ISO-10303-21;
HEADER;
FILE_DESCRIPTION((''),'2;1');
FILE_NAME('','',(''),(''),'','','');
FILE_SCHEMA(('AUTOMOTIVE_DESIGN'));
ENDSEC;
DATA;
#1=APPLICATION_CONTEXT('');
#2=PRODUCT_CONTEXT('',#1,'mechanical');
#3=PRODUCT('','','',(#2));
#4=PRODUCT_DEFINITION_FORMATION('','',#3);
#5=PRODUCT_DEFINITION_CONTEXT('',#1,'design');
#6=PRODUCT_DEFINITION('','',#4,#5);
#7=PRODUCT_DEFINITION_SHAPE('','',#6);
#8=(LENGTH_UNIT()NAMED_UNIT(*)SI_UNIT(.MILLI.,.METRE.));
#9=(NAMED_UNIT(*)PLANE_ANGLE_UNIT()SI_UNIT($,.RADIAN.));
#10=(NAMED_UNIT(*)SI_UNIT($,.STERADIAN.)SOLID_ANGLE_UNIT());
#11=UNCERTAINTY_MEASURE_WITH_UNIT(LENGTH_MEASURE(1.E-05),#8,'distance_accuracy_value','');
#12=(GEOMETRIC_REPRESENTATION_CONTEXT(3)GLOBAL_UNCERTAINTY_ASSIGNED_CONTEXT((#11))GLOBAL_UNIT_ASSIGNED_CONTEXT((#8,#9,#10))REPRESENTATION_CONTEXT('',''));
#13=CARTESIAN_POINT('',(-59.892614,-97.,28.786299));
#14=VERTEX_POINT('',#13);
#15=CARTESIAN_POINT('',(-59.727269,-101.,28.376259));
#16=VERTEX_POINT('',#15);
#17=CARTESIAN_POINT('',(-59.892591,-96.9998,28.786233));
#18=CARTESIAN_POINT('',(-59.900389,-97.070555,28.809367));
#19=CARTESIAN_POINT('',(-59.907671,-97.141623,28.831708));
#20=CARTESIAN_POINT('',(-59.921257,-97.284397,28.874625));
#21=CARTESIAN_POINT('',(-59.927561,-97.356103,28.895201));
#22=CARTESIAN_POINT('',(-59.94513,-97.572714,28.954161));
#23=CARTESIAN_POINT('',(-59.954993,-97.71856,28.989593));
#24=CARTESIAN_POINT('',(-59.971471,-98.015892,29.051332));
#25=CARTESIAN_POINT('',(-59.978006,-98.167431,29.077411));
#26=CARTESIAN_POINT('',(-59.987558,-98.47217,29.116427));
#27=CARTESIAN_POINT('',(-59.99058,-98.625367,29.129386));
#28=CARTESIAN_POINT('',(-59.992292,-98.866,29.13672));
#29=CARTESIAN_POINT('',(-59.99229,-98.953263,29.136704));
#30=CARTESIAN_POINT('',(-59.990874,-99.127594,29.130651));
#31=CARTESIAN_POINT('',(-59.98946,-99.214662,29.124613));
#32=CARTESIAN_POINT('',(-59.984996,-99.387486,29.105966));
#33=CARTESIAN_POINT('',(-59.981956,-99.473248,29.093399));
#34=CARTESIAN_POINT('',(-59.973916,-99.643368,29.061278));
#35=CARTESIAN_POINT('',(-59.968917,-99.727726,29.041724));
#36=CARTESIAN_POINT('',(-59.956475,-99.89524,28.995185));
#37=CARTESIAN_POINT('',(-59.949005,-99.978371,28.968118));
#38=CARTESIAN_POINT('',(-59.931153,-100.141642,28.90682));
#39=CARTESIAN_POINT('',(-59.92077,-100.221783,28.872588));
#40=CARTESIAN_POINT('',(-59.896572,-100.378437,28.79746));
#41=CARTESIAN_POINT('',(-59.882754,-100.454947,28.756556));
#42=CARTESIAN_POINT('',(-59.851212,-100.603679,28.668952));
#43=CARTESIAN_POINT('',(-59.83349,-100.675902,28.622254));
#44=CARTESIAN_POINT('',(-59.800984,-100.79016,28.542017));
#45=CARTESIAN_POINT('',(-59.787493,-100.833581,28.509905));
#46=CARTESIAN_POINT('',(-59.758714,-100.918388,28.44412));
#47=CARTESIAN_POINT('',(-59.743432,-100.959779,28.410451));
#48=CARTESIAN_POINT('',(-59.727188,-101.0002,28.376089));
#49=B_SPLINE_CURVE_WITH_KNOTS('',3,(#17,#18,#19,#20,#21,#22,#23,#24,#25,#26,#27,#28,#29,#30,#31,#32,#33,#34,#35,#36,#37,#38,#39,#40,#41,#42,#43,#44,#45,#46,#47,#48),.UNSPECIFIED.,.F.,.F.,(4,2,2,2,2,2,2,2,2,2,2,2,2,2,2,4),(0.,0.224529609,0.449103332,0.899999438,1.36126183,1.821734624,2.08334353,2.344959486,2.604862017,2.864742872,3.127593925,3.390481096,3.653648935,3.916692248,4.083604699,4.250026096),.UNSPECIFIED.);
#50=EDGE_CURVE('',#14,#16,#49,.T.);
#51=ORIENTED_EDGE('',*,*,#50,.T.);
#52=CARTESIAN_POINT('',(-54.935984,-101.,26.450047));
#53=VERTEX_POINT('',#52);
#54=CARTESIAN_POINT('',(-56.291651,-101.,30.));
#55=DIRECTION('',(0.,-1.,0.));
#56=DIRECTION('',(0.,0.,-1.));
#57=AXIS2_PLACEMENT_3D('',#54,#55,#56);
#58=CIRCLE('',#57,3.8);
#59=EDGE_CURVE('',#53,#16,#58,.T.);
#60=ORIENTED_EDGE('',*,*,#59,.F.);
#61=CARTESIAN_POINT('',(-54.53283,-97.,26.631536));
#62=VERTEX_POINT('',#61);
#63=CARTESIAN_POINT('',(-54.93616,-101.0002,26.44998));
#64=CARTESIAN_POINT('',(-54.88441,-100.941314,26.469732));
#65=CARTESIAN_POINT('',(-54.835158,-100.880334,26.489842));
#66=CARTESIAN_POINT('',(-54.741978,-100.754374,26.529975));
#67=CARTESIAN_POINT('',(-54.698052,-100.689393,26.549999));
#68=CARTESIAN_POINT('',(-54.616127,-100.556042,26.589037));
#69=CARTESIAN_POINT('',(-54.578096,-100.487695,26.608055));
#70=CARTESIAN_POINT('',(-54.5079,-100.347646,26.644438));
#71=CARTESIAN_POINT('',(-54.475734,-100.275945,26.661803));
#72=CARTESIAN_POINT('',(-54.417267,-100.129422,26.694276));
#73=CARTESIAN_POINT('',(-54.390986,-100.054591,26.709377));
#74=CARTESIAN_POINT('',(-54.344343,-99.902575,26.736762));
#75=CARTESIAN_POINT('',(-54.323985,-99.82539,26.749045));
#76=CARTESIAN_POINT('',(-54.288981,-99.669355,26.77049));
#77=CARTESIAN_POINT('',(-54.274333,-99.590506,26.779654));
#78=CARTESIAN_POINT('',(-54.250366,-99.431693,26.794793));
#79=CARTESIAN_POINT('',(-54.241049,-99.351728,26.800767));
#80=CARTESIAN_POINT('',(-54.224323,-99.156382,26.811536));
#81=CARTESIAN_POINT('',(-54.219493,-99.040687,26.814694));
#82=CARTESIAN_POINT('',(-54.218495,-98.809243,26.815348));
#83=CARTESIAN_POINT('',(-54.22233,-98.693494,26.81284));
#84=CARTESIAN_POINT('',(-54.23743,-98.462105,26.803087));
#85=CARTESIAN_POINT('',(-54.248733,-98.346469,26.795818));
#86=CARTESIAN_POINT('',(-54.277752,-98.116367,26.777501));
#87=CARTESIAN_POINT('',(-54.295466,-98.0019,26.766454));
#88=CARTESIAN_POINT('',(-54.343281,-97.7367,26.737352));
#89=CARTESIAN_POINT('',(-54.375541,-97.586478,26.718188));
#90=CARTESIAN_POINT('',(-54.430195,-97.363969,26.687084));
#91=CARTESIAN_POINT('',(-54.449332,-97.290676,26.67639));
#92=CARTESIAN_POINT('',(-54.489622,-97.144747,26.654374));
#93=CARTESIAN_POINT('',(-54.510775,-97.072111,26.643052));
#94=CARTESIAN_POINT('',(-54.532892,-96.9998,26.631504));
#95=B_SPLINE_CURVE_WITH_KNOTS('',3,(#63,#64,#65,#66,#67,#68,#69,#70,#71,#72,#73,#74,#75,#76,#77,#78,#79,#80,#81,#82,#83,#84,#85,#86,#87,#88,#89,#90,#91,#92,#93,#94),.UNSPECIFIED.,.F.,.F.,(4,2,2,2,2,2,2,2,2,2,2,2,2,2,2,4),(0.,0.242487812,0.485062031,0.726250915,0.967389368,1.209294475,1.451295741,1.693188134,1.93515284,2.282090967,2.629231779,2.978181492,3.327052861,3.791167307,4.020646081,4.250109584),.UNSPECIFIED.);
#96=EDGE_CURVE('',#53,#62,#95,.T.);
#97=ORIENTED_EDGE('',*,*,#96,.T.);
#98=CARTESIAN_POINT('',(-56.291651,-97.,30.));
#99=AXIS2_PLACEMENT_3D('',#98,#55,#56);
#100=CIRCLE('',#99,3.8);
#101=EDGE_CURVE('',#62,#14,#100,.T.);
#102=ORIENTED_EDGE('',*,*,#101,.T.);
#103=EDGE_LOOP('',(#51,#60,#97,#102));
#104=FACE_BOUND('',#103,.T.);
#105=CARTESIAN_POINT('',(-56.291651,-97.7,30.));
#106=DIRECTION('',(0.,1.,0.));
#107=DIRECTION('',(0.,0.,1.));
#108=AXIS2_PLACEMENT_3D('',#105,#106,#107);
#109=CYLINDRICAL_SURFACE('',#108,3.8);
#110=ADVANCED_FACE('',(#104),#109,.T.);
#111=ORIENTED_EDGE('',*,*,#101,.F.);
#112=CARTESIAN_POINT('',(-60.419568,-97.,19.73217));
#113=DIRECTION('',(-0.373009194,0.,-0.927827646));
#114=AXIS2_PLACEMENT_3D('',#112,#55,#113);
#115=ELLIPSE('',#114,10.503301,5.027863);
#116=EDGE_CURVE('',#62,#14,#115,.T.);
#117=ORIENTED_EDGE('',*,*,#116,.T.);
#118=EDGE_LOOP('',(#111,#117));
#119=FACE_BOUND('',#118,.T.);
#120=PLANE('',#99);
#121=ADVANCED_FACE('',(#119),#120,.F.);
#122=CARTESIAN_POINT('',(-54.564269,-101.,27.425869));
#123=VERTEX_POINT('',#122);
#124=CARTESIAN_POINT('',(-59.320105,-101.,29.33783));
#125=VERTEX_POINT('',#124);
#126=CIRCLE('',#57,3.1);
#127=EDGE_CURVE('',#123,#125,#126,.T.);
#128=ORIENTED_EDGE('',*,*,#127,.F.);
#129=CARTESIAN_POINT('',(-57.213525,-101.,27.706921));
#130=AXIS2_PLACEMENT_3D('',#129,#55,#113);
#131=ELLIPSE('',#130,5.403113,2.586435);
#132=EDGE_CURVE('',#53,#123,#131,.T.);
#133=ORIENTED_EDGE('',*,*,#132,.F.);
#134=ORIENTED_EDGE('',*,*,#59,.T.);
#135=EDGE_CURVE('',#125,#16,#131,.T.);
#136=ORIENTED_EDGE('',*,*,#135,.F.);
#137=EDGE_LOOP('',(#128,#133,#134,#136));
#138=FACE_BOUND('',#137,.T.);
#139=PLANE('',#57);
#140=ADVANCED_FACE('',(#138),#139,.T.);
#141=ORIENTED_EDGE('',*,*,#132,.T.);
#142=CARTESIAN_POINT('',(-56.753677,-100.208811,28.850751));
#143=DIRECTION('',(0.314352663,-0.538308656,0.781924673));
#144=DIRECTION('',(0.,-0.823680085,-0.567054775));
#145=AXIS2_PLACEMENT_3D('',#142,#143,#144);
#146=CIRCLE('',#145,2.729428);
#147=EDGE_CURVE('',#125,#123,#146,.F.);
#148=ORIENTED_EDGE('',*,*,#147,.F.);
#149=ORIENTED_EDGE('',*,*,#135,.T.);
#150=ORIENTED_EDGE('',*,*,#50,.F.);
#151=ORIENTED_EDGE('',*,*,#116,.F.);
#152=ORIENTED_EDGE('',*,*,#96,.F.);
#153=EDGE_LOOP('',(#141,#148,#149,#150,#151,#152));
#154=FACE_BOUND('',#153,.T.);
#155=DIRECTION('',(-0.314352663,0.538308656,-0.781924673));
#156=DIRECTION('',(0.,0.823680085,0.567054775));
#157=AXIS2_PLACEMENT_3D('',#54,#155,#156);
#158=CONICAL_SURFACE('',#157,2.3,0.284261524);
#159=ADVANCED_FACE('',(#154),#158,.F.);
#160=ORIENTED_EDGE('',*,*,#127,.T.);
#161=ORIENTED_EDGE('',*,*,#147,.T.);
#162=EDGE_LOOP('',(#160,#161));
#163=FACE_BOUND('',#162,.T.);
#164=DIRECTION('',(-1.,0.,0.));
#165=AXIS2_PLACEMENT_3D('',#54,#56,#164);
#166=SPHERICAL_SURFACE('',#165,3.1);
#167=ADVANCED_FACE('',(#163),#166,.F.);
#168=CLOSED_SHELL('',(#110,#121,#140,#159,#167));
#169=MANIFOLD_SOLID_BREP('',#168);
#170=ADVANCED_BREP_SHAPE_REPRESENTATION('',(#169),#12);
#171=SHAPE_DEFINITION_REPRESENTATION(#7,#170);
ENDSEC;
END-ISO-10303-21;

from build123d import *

# Parameters (mm, degrees)
KEYED_BACK_DEPTH   = 0.7
CUP_BLANK_SKETCH_R = 3.8
CUP_BLANK_DEPTH    = 3.3


with BuildPart() as part:
    # Keyed Back Sketch → Keyed Back (new body)
    with BuildSketch(Plane(origin=(0, -97, 0), x_dir=(-1, 0, 0), z_dir=(0, -1, 0))):
        with BuildLine():
            Line((59.811552234, -28.568114168), (55.771750258, -26.23573341))
            ThreePointArc((55.771750258, -26.23573341), (54.391651246, -33.290896534), (59.811552234, -28.568114168))
        make_face()
    extrude(amount=KEYED_BACK_DEPTH)

    # Cup Blank Sketch → Cup Blank (add)
    with BuildSketch(Plane(origin=(0, -97.7, 0), x_dir=(-1, 0, 0), z_dir=(0, -1, 0))):
        with Locations(Location((56.291651246, -30, 0), (0, 0, 22.136353638))):
            Circle(CUP_BLANK_SKETCH_R)
    extrude(amount=CUP_BLANK_DEPTH)

    # Spherical Bearing Seat profile → Spherical Bearing Seat (revolve, cut)
    with BuildSketch(Plane(origin=(0, -101, 0), x_dir=(-1, 0, 0), z_dir=(0, -1, 0))):
        with BuildLine():
            Line((56.291651246, -33.1), (56.291651246, -26.9))
            ThreePointArc((56.291651246, -26.9), (53.191651246, -30), (56.291651246, -33.1))
        make_face()
    revolve(axis=Axis((-56.291651246, -101, 20), (0, 0, 1)), mode=Mode.SUBTRACT)

    # Articulation Throat Sketch → Articulation Throat (revolve, cut)
    with BuildSketch(Plane(origin=(-75.19414337, -14.119516346, 20.509419779), x_dir=(-0.2544785459472912, -0.04778449262394895, -0.9658971539026421), z_dir=(0.9493062747008634, 0.17825517869277502, -0.2589260282064664))):
        Polygon((-9.825663304, -88.876600419), (-8.475389129, -90.738524062), (14.088996194, -82.675837476), (8.793573125, -75.373858667), align=None)
    revolve(axis=Axis((-53.148124615, -106.383086561, 37.819246728), (-0.3143526631246646, 0.5383086561091633, -0.781924672807028)), mode=Mode.SUBTRACT)


solid = part.part
